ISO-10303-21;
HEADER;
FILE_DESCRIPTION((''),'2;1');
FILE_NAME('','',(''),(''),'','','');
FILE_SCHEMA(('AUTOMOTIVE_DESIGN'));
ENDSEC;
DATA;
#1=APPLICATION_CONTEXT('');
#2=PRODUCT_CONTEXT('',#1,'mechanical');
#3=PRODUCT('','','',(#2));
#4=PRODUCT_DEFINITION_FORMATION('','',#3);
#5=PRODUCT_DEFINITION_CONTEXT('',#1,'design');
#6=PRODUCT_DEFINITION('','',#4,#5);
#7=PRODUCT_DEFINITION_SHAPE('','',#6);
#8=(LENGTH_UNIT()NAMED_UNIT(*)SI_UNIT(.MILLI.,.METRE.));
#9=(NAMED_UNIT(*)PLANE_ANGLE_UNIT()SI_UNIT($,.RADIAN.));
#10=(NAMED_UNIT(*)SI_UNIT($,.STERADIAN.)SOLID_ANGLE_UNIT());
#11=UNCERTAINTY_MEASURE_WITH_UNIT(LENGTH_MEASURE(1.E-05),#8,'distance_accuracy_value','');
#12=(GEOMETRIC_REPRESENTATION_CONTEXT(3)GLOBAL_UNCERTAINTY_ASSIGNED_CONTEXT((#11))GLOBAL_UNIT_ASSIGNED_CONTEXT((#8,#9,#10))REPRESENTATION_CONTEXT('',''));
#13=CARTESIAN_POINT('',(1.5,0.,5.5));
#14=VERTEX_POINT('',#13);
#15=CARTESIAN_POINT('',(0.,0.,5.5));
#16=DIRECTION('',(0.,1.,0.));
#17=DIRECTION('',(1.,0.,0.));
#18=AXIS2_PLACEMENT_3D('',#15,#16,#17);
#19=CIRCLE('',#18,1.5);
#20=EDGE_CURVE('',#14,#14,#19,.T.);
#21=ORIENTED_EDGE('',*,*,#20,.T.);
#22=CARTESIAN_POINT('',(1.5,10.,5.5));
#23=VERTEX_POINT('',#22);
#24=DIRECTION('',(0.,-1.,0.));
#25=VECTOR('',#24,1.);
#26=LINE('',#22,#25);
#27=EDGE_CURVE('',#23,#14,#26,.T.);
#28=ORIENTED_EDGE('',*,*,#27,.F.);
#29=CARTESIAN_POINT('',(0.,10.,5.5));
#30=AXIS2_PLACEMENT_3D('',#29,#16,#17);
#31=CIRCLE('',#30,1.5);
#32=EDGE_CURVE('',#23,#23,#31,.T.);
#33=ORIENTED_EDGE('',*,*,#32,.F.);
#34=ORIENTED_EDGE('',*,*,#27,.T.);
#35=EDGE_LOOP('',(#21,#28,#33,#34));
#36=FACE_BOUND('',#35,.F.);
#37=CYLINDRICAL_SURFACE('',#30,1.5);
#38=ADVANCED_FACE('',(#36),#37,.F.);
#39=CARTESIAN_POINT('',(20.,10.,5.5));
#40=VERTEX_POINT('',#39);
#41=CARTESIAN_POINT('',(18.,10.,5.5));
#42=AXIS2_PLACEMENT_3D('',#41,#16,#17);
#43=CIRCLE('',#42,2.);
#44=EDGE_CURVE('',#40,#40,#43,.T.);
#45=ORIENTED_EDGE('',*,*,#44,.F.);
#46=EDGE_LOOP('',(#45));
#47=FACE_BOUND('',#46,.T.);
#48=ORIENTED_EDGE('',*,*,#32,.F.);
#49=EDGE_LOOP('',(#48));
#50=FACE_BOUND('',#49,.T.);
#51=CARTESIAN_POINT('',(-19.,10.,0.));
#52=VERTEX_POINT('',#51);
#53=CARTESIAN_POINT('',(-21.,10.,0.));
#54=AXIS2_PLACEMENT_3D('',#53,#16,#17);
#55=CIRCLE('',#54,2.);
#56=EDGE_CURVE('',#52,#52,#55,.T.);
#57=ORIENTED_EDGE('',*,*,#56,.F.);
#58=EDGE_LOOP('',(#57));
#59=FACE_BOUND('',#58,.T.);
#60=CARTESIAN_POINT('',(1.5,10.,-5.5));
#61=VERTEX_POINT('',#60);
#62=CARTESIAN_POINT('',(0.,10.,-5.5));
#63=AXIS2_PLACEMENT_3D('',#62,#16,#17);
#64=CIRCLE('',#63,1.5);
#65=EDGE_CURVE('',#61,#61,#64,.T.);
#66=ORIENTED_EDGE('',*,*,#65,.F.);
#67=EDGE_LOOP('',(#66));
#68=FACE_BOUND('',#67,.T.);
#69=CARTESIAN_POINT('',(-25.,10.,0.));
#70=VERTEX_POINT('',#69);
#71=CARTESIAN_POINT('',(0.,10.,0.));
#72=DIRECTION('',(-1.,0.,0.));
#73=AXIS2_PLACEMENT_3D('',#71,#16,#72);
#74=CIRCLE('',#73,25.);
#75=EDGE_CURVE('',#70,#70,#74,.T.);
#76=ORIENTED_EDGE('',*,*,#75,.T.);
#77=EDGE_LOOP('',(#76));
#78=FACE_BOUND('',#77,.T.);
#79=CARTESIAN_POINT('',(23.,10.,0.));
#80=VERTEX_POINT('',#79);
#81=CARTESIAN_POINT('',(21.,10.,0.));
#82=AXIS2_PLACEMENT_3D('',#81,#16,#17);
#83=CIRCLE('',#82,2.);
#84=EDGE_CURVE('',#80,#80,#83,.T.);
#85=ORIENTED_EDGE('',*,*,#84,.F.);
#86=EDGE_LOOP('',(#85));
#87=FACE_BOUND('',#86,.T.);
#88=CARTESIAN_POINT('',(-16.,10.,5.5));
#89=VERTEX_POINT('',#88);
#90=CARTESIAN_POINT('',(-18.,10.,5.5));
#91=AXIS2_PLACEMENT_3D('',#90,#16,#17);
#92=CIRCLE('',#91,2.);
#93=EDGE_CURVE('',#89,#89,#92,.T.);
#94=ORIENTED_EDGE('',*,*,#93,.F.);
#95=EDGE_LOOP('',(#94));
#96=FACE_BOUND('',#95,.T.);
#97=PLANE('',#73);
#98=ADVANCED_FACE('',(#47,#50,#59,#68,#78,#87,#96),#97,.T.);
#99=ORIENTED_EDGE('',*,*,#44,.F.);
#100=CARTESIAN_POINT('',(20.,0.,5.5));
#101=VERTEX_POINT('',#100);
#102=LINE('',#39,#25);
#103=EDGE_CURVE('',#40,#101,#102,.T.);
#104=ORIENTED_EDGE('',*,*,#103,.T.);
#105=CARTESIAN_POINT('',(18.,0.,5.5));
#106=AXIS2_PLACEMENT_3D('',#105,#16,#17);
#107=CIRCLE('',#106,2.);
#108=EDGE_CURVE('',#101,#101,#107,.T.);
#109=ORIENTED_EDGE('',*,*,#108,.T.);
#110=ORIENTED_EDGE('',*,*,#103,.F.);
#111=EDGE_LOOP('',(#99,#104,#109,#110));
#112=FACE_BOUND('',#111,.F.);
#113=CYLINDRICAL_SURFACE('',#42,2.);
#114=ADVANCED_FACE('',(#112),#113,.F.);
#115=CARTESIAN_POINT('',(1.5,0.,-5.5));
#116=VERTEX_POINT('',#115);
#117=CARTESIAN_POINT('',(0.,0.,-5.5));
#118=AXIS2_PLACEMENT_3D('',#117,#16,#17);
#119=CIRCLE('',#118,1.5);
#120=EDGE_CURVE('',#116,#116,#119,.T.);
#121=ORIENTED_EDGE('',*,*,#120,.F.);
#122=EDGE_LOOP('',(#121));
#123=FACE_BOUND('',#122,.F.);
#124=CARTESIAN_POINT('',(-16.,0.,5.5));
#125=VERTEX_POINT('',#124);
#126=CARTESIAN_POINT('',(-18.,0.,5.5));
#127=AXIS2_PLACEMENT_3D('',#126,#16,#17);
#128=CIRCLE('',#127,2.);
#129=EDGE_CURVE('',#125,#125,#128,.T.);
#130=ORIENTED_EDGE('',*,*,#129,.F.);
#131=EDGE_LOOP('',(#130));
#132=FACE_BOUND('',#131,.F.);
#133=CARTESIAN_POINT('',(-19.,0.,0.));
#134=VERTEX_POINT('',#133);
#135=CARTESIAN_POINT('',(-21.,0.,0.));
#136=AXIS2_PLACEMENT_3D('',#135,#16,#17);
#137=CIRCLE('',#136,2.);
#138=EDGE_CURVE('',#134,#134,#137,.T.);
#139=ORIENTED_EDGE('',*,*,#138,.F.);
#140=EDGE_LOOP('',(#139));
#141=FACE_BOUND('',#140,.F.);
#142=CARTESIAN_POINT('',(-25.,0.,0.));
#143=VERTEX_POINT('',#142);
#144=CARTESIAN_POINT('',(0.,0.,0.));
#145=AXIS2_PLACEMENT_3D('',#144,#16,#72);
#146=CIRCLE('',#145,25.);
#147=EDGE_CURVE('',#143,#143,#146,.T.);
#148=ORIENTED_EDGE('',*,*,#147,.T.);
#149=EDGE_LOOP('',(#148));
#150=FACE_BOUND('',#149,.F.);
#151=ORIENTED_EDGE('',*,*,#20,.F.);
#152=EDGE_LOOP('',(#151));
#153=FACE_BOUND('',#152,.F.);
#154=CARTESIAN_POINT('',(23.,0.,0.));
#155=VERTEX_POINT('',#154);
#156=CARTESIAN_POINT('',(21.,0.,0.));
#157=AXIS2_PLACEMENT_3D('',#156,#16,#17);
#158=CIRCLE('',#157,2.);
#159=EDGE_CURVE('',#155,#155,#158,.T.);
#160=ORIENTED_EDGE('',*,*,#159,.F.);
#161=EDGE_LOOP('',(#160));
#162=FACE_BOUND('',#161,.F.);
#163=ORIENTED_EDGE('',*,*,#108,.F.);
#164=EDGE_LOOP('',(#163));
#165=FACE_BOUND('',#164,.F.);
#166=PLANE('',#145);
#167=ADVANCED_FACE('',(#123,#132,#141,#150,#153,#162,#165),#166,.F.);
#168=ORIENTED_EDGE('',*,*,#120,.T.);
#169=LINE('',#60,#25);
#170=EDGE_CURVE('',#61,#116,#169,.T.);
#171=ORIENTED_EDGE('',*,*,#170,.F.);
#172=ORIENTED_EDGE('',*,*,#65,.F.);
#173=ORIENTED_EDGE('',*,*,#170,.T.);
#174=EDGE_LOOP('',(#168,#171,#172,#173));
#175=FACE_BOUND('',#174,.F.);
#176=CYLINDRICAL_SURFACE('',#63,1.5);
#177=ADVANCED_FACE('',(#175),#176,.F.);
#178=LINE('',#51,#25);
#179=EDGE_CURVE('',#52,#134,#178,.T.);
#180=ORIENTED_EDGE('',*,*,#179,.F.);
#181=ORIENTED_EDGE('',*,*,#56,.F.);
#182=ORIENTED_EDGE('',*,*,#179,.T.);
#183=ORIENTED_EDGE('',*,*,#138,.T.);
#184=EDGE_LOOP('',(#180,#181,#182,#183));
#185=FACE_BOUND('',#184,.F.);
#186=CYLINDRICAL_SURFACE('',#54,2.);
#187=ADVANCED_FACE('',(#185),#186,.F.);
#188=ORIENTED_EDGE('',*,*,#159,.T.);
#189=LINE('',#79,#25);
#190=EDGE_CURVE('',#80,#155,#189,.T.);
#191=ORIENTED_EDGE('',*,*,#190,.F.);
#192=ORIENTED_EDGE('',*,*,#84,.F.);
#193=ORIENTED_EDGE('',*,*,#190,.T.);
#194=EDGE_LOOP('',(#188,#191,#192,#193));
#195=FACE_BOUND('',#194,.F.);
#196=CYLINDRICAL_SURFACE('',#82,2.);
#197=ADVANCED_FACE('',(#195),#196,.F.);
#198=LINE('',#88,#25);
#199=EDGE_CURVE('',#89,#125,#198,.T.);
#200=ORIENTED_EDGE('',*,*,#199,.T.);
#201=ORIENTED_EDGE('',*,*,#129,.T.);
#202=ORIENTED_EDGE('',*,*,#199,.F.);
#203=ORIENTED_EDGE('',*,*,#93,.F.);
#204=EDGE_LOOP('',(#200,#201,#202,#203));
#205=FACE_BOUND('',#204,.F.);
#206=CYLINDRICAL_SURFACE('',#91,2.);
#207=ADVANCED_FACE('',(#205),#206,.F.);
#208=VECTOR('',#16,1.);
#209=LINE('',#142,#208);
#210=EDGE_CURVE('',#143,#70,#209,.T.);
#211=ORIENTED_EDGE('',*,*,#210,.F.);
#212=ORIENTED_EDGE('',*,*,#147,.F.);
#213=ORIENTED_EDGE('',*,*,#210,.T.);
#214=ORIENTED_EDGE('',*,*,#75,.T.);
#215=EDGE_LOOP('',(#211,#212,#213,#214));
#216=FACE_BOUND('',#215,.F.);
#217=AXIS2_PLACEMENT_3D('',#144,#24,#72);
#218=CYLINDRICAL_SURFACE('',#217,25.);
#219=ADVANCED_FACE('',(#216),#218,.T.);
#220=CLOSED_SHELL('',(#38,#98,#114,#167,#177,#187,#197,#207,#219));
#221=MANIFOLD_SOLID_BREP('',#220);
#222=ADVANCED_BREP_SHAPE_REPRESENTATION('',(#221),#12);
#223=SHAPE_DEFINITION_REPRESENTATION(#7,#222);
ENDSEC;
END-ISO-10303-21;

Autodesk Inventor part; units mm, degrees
ref_plane "YZ Plane" through (0, 0, 0) normal (1, 0, 0) x (0, 1, 0)
ref_plane "XZ Plane" through (0, 0, 0) normal (0, 1, 0) x (-1, 0, 0)
ref_plane "XY Plane" through (0, 0, 0) normal (0, 0, 1) x (1, 0, 0)
sketch "Sketch1" plane through (0, 0, 0) normal (0, 1, 0) x (-1, 0, 0)
  circle A0 centre (0, 0) radius 25
  dimension "d0" = 50
extrude "Extrusion1" add sketch "Sketch1" along normal blind 10
sketch "Sketch2" plane through (0, 10, 0) normal (0, 1, 0) x (1, 0, 0)
  circle A0 centre (0, -5.5) radius 1.5
  circle A1 centre (0, 5.5) radius 1.5
  circle A2 centre (-18, -5.5) radius 2
  circle A3 centre (-21, 0) radius 2
  circle A4 centre (21, 0) radius 2
  circle A5 centre (18, -5.5) radius 2
  point P0 (0, 0)
  dimension "d3" = 3
  dimension "d4" = 3
  dimension "d5" = 5.5
  dimension "d6" = 5.5
  dimension "d7" = 4
  dimension "d8" = 4
  dimension "d9" = 4
  dimension "d10" = 4
  dimension "d11" = 21
  dimension "d12" = 21
  dimension "d13" = 18
  dimension "d14" = 18
extrude "Extrusion2" cut sketch "Sketch2" against normal blind 10
properties part number "cABEZOTE"
